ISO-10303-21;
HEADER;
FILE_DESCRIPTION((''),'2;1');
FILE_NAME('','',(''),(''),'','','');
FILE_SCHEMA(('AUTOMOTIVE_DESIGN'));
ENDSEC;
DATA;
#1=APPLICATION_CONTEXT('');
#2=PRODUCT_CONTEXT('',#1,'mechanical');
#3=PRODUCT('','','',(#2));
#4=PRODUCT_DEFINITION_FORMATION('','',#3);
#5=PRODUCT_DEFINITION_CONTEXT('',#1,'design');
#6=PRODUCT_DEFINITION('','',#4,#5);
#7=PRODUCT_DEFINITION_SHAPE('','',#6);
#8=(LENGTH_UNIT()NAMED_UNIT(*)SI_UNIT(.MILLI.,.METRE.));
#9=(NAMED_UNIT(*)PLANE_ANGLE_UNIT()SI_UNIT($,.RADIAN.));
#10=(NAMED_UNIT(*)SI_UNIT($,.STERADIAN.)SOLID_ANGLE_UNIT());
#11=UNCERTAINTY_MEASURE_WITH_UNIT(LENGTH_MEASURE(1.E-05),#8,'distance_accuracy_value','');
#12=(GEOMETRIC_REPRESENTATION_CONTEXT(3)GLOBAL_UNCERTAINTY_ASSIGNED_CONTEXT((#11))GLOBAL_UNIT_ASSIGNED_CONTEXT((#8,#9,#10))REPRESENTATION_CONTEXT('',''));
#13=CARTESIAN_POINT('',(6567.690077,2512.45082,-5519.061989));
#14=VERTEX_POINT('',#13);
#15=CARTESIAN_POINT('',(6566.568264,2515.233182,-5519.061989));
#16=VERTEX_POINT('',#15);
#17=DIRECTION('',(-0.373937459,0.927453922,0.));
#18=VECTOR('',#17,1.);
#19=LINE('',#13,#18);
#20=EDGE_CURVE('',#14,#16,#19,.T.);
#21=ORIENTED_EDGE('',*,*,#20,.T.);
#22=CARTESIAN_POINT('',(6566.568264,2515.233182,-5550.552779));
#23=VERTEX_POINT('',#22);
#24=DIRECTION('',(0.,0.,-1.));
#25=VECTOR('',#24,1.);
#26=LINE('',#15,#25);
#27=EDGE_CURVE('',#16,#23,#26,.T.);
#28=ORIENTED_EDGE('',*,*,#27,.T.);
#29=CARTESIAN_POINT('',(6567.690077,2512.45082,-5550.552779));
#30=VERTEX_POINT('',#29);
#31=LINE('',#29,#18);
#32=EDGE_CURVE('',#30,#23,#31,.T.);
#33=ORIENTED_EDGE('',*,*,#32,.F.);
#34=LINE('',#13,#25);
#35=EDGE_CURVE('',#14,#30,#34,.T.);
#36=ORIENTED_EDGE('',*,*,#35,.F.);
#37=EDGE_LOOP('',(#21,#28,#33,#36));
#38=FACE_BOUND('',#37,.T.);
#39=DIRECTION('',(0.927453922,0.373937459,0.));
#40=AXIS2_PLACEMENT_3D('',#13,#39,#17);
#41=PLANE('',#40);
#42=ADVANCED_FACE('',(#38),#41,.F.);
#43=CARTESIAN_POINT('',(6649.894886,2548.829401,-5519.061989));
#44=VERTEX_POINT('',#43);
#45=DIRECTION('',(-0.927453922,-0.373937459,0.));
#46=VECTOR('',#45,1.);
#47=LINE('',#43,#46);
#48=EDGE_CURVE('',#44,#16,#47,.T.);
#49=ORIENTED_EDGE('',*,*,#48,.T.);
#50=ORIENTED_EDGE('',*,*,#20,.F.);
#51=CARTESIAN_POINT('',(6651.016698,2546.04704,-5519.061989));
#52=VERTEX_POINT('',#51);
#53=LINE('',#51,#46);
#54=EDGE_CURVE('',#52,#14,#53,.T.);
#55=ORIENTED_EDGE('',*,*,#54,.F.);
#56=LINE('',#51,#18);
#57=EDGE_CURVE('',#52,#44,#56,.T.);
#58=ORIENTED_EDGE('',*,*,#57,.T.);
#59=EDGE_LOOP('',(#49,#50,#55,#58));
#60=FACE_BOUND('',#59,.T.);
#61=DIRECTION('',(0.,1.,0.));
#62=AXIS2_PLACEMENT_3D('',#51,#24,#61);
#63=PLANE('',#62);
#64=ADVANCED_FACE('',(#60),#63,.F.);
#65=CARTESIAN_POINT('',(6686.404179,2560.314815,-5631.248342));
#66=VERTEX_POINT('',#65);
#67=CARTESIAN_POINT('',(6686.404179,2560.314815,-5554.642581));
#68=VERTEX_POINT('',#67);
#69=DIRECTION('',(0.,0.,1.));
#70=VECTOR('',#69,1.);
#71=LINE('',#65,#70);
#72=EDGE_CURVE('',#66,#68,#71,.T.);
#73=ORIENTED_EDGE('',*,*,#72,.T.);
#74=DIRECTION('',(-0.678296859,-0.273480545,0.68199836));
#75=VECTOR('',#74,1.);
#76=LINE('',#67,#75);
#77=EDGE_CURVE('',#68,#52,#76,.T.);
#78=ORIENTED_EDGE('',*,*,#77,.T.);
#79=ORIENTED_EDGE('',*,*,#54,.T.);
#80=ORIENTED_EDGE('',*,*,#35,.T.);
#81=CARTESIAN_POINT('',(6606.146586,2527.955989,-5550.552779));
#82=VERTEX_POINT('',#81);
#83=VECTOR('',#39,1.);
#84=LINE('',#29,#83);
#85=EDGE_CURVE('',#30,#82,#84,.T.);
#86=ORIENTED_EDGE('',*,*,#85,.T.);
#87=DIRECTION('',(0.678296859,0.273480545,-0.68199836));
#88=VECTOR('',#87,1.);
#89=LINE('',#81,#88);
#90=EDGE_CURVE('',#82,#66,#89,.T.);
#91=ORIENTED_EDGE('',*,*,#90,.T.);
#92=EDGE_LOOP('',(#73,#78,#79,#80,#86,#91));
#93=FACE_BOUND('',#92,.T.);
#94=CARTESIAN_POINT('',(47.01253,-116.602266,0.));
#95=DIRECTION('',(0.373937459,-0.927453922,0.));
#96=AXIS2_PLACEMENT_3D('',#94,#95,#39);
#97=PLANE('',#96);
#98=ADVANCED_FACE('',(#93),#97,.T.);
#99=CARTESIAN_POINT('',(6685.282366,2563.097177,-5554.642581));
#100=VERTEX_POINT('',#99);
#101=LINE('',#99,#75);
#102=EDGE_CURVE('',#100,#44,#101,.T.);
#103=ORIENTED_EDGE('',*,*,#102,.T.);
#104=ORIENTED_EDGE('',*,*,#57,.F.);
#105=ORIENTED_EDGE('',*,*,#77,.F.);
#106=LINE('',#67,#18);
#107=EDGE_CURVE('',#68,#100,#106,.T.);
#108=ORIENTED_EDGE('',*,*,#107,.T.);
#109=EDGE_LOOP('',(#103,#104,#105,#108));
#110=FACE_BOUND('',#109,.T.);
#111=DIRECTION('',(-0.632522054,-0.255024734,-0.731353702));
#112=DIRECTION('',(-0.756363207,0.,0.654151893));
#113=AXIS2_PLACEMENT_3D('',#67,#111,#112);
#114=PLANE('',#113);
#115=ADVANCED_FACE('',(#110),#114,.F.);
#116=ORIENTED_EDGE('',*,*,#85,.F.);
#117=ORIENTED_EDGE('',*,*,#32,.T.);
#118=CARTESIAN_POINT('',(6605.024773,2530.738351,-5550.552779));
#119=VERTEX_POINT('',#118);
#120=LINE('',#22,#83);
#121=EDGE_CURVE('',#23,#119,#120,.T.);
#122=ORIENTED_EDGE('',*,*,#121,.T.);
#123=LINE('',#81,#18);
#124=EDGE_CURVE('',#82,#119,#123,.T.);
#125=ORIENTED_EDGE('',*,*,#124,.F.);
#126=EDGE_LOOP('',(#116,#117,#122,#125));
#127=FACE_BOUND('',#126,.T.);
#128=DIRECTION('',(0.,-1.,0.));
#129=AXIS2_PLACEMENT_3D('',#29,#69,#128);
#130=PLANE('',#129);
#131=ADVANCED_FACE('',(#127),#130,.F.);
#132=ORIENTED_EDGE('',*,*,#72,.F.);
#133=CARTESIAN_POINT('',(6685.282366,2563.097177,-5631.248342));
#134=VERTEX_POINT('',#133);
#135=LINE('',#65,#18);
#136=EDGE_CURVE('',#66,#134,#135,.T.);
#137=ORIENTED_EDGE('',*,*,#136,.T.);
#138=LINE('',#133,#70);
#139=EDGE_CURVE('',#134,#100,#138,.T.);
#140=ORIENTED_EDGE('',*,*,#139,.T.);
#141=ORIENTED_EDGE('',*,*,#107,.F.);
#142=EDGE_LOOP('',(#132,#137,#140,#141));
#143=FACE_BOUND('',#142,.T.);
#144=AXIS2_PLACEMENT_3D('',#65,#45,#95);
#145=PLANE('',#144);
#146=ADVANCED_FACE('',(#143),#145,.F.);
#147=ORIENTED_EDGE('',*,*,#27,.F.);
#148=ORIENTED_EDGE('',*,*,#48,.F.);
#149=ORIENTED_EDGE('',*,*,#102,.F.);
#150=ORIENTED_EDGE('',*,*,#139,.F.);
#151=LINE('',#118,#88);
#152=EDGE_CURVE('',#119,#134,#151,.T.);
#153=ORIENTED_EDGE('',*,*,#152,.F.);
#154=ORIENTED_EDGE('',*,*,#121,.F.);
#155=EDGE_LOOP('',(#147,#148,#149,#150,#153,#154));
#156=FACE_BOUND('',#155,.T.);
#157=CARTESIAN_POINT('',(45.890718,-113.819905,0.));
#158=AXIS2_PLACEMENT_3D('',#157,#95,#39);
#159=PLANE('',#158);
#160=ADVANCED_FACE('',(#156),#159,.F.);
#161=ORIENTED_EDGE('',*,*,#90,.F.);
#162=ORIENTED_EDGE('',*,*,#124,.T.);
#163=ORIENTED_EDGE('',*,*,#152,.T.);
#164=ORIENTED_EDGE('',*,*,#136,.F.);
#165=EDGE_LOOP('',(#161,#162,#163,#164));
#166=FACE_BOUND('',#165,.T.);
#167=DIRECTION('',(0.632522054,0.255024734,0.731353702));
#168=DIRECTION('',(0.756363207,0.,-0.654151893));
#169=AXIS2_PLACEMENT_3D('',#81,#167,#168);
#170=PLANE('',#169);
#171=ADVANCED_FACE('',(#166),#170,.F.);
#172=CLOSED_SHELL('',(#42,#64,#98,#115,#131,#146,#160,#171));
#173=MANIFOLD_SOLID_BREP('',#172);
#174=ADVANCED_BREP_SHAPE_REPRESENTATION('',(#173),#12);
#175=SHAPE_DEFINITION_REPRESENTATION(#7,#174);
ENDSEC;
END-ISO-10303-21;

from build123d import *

# Parameters (mm, degrees)
BOSS_EXTRUDE1_DEPTH = 3


with BuildPart() as part:
    # Sketch2 → Boss-Extrude1 (new body)
    with BuildSketch(Plane(origin=(45.890717546, -113.819904614, -1e-08), x_dir=(0.927453922, 0.373937459, 0), z_dir=(0.373937459, -0.927453922, 0))):
        Polygon((7030.729393197, -5519.061989226), (7030.729393197, -5550.552778777), (7072.19399653, -5550.552778777), (7158.729393195, -5631.248341652), (7158.729393195, -5554.642580732), (7120.573880179, -5519.061989226), align=None)
    extrude(amount=BOSS_EXTRUDE1_DEPTH)


solid = part.part
